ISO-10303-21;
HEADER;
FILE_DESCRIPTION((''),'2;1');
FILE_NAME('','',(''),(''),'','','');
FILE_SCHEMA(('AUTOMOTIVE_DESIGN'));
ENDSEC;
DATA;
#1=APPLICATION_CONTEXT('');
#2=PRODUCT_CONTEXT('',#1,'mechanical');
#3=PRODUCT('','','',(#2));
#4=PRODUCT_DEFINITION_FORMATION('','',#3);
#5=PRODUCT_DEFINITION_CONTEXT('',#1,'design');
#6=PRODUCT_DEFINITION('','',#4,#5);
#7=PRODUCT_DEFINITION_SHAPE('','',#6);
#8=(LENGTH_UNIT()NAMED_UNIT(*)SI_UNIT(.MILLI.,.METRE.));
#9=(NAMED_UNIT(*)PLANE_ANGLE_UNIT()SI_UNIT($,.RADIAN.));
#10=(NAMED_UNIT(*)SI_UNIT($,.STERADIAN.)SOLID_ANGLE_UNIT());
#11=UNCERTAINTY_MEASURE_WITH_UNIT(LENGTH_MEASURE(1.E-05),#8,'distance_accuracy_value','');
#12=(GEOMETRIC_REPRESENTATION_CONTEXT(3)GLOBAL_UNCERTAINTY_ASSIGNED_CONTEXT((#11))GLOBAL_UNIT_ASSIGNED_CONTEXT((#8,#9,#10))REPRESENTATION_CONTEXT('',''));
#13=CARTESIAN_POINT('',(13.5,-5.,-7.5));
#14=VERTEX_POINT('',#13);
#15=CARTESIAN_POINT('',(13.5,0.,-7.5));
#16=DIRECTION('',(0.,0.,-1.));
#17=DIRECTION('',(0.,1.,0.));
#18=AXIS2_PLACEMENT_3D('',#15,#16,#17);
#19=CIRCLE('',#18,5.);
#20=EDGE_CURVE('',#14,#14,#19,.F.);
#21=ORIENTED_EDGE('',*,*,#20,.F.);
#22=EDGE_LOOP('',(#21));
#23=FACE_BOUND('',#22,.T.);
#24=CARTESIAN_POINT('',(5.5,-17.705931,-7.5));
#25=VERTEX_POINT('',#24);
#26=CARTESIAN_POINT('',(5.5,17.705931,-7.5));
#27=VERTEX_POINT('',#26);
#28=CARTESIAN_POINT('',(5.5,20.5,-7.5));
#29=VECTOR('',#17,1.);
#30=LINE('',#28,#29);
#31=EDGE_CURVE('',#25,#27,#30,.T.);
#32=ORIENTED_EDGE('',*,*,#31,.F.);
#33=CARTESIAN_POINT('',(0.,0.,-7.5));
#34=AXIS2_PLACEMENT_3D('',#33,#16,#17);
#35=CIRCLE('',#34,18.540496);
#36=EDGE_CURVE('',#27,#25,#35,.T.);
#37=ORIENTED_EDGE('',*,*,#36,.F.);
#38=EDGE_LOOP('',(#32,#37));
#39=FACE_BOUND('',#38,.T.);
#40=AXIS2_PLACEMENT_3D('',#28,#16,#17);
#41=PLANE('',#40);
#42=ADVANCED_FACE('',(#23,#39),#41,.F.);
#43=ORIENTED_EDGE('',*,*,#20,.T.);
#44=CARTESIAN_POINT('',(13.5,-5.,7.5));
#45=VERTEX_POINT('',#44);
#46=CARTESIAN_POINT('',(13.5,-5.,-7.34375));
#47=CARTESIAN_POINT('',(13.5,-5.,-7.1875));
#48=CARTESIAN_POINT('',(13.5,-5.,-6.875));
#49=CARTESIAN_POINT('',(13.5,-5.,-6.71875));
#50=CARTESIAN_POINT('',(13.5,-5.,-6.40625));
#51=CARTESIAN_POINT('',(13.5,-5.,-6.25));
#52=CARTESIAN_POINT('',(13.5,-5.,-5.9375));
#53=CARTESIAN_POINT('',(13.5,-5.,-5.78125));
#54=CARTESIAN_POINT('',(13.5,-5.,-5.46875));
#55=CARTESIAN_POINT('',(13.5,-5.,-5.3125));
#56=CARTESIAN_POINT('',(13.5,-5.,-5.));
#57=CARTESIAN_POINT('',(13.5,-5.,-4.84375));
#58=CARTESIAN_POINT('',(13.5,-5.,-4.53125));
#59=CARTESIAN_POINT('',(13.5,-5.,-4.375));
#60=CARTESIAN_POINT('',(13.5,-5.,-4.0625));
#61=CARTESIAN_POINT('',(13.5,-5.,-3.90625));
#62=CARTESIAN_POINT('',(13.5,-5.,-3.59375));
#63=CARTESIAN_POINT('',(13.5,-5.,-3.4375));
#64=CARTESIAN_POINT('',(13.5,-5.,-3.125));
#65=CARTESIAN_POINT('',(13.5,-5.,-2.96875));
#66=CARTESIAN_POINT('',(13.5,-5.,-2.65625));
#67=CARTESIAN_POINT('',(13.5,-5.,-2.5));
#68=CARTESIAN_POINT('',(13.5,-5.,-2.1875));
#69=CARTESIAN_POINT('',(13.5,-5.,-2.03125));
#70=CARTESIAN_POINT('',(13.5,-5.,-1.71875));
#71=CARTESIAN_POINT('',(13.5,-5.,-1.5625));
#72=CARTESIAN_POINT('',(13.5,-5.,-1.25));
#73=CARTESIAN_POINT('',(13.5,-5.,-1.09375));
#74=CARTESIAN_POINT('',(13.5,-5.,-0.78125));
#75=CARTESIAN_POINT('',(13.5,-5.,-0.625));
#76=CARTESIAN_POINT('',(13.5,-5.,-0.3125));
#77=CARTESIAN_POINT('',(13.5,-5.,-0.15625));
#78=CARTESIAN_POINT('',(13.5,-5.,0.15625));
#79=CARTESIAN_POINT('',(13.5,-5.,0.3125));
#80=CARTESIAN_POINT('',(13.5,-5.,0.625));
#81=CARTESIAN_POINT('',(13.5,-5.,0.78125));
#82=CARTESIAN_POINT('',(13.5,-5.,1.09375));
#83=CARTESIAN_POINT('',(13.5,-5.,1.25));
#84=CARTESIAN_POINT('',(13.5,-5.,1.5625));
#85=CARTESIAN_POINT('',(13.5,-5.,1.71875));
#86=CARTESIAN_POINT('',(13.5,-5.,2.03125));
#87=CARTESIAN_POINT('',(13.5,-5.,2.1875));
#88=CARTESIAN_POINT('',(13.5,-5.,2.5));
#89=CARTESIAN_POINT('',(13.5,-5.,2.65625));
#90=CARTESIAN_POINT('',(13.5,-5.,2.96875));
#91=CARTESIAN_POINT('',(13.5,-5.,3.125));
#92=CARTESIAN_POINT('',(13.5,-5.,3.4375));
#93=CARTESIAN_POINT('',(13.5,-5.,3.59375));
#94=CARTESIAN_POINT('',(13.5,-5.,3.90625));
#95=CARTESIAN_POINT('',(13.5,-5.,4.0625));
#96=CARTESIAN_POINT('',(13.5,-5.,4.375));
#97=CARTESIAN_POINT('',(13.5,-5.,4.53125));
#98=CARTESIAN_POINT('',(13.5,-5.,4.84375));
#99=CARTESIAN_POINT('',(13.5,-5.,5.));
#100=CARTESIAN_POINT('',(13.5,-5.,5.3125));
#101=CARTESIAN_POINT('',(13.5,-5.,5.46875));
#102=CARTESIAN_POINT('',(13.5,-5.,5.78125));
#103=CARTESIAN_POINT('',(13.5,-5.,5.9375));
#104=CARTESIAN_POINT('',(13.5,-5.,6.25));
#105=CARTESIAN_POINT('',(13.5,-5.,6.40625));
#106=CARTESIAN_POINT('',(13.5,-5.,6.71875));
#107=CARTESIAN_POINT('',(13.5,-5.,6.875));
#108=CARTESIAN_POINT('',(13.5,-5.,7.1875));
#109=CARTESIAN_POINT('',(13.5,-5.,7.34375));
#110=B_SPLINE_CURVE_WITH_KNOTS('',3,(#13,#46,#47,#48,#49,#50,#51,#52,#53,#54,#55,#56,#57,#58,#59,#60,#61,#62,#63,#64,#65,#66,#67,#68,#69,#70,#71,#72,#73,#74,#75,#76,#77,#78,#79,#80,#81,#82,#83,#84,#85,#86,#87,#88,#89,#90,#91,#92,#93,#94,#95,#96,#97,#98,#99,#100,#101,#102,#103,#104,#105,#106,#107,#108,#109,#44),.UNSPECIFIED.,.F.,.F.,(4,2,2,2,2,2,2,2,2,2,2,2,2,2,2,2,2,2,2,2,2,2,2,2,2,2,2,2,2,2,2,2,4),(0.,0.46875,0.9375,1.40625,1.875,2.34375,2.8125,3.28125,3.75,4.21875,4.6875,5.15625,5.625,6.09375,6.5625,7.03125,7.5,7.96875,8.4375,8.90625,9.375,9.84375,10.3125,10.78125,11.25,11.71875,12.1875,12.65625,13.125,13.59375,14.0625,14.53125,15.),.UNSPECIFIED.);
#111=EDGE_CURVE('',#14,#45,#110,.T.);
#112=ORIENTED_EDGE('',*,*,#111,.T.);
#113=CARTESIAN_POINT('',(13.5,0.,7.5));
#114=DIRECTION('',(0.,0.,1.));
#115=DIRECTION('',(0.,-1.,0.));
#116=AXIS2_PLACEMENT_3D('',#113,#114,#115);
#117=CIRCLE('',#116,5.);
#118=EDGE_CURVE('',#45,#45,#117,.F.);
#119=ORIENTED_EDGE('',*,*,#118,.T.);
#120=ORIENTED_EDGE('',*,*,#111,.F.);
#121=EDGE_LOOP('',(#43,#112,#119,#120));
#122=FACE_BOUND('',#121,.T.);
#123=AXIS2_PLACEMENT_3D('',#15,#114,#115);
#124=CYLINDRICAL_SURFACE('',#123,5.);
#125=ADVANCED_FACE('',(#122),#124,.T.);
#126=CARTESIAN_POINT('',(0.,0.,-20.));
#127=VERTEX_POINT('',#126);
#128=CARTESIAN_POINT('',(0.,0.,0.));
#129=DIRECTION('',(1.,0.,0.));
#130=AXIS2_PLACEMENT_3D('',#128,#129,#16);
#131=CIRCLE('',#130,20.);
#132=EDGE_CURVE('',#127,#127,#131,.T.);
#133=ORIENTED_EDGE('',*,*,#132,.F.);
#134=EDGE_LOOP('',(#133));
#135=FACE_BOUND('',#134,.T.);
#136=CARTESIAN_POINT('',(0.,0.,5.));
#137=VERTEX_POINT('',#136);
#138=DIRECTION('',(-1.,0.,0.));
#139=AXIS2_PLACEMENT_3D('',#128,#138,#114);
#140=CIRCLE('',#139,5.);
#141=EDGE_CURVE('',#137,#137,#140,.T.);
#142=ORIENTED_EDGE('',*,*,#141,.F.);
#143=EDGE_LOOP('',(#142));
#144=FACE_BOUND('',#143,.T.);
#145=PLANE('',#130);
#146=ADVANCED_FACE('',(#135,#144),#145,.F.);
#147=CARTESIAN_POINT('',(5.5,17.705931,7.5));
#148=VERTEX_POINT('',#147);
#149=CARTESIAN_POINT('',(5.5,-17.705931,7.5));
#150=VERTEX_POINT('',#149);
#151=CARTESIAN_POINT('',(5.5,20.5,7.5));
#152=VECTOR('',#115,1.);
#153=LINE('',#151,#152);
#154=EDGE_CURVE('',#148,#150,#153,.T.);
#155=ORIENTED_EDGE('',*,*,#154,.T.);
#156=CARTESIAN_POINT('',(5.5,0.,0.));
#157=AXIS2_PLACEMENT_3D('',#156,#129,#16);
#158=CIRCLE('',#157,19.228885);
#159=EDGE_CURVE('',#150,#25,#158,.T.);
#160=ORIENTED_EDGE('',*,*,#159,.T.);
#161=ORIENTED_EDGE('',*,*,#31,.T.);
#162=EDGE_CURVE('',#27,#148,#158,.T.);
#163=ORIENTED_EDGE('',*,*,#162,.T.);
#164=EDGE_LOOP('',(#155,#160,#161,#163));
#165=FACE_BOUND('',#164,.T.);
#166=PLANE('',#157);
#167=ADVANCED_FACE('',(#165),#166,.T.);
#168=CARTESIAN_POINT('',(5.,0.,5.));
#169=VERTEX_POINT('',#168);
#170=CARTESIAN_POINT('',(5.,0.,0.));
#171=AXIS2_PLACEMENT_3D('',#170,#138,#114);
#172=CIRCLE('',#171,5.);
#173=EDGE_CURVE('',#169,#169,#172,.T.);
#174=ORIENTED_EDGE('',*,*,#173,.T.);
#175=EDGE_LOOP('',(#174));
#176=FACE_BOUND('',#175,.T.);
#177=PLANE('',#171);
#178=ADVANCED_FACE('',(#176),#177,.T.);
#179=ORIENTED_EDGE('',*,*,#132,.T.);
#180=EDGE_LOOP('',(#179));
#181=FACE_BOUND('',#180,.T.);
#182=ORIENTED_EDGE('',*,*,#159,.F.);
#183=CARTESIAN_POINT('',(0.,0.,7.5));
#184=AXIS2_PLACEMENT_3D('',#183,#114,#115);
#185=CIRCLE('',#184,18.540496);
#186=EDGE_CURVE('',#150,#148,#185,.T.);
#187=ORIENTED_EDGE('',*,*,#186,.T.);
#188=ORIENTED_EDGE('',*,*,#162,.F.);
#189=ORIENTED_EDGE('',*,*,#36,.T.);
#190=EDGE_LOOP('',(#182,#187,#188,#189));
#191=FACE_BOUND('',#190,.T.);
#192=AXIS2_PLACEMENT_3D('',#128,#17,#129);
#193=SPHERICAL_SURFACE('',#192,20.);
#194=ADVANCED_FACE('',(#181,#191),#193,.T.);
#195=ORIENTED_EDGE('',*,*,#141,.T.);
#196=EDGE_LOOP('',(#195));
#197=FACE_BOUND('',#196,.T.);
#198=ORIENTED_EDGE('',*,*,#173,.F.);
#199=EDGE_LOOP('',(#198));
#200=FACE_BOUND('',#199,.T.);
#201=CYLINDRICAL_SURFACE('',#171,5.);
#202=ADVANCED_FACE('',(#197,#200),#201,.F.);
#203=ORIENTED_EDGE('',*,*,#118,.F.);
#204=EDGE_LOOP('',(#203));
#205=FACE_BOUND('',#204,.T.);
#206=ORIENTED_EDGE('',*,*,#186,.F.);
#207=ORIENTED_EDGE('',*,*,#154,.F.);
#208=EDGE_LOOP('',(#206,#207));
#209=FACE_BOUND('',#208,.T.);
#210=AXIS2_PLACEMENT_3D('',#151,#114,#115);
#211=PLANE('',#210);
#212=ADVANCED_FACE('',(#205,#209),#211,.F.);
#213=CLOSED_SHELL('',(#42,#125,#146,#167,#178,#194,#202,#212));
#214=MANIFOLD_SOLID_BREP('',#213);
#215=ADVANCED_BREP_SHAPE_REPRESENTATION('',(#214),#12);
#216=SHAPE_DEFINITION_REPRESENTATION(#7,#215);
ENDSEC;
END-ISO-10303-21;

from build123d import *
from build123d.topology import SkipClean

# Parameters (mm, degrees)
SKETCH2_R           = 20
CUT_EXTRUDE1_DEPTH  = 30
SKETCH9_W           = 15
SKETCH9_H           = 41
CUT_EXTRUDE4_DEPTH  = 14.5
SKETCH10_R          = 5
BOSS_EXTRUDE2_DEPTH = 15
SKETCH11_R          = 5
CUT_EXTRUDE5_DEPTH  = 5


with BuildPart() as part:
    # Sketch3 → Revolve1 (revolve)
    with BuildSketch(Plane.XY):
        with BuildLine():
            Line((0, 20), (0, -20))
            ThreePointArc((0, -20), (20, 0), (0, 20))
        make_face()
    revolve(axis=Axis((0, 20, 0), (0, -1, 0)))

    # Sketch2 → Cut-Extrude1 (cut)
    with SkipClean():  # the faces are left unmerged after this step: merging them gives an invalid solid
        with BuildSketch(Plane(origin=(0, 0, 0), x_dir=(0, 0, -1), z_dir=(1, 0, 0))):
            Circle(SKETCH2_R)
        extrude(amount=-CUT_EXTRUDE1_DEPTH, mode=Mode.SUBTRACT)

    # Sketch9 → Cut-Extrude4 (cut)
    with SkipClean():  # the faces are left unmerged after this step: merging them gives an invalid solid
        with BuildSketch(Plane(origin=(20, 0, 0), x_dir=(0, 0, -1), z_dir=(1, 0, 0))):
            Rectangle(SKETCH9_W, SKETCH9_H)
        extrude(amount=-CUT_EXTRUDE4_DEPTH, mode=Mode.SUBTRACT)

    # Sketch10 → Boss-Extrude2 (add)
    with SkipClean():  # the faces are left unmerged after this step: merging them gives an invalid solid
        with BuildSketch(Plane(origin=(0, 0, 7.5), x_dir=(-1, 0, 0), z_dir=(0, 0, -1))):
            with Locations(Location((-13.5, 0, 0), (0, 0, 270))):
                Circle(SKETCH10_R)
        extrude(amount=BOSS_EXTRUDE2_DEPTH)

    # Sketch11 → Cut-Extrude5 (cut)
    with SkipClean():  # the faces are left unmerged after this step: merging them gives an invalid solid
        with BuildSketch(Plane.ZY):
            Circle(SKETCH11_R)
        extrude(amount=-CUT_EXTRUDE5_DEPTH, mode=Mode.SUBTRACT)


solid = part.part
